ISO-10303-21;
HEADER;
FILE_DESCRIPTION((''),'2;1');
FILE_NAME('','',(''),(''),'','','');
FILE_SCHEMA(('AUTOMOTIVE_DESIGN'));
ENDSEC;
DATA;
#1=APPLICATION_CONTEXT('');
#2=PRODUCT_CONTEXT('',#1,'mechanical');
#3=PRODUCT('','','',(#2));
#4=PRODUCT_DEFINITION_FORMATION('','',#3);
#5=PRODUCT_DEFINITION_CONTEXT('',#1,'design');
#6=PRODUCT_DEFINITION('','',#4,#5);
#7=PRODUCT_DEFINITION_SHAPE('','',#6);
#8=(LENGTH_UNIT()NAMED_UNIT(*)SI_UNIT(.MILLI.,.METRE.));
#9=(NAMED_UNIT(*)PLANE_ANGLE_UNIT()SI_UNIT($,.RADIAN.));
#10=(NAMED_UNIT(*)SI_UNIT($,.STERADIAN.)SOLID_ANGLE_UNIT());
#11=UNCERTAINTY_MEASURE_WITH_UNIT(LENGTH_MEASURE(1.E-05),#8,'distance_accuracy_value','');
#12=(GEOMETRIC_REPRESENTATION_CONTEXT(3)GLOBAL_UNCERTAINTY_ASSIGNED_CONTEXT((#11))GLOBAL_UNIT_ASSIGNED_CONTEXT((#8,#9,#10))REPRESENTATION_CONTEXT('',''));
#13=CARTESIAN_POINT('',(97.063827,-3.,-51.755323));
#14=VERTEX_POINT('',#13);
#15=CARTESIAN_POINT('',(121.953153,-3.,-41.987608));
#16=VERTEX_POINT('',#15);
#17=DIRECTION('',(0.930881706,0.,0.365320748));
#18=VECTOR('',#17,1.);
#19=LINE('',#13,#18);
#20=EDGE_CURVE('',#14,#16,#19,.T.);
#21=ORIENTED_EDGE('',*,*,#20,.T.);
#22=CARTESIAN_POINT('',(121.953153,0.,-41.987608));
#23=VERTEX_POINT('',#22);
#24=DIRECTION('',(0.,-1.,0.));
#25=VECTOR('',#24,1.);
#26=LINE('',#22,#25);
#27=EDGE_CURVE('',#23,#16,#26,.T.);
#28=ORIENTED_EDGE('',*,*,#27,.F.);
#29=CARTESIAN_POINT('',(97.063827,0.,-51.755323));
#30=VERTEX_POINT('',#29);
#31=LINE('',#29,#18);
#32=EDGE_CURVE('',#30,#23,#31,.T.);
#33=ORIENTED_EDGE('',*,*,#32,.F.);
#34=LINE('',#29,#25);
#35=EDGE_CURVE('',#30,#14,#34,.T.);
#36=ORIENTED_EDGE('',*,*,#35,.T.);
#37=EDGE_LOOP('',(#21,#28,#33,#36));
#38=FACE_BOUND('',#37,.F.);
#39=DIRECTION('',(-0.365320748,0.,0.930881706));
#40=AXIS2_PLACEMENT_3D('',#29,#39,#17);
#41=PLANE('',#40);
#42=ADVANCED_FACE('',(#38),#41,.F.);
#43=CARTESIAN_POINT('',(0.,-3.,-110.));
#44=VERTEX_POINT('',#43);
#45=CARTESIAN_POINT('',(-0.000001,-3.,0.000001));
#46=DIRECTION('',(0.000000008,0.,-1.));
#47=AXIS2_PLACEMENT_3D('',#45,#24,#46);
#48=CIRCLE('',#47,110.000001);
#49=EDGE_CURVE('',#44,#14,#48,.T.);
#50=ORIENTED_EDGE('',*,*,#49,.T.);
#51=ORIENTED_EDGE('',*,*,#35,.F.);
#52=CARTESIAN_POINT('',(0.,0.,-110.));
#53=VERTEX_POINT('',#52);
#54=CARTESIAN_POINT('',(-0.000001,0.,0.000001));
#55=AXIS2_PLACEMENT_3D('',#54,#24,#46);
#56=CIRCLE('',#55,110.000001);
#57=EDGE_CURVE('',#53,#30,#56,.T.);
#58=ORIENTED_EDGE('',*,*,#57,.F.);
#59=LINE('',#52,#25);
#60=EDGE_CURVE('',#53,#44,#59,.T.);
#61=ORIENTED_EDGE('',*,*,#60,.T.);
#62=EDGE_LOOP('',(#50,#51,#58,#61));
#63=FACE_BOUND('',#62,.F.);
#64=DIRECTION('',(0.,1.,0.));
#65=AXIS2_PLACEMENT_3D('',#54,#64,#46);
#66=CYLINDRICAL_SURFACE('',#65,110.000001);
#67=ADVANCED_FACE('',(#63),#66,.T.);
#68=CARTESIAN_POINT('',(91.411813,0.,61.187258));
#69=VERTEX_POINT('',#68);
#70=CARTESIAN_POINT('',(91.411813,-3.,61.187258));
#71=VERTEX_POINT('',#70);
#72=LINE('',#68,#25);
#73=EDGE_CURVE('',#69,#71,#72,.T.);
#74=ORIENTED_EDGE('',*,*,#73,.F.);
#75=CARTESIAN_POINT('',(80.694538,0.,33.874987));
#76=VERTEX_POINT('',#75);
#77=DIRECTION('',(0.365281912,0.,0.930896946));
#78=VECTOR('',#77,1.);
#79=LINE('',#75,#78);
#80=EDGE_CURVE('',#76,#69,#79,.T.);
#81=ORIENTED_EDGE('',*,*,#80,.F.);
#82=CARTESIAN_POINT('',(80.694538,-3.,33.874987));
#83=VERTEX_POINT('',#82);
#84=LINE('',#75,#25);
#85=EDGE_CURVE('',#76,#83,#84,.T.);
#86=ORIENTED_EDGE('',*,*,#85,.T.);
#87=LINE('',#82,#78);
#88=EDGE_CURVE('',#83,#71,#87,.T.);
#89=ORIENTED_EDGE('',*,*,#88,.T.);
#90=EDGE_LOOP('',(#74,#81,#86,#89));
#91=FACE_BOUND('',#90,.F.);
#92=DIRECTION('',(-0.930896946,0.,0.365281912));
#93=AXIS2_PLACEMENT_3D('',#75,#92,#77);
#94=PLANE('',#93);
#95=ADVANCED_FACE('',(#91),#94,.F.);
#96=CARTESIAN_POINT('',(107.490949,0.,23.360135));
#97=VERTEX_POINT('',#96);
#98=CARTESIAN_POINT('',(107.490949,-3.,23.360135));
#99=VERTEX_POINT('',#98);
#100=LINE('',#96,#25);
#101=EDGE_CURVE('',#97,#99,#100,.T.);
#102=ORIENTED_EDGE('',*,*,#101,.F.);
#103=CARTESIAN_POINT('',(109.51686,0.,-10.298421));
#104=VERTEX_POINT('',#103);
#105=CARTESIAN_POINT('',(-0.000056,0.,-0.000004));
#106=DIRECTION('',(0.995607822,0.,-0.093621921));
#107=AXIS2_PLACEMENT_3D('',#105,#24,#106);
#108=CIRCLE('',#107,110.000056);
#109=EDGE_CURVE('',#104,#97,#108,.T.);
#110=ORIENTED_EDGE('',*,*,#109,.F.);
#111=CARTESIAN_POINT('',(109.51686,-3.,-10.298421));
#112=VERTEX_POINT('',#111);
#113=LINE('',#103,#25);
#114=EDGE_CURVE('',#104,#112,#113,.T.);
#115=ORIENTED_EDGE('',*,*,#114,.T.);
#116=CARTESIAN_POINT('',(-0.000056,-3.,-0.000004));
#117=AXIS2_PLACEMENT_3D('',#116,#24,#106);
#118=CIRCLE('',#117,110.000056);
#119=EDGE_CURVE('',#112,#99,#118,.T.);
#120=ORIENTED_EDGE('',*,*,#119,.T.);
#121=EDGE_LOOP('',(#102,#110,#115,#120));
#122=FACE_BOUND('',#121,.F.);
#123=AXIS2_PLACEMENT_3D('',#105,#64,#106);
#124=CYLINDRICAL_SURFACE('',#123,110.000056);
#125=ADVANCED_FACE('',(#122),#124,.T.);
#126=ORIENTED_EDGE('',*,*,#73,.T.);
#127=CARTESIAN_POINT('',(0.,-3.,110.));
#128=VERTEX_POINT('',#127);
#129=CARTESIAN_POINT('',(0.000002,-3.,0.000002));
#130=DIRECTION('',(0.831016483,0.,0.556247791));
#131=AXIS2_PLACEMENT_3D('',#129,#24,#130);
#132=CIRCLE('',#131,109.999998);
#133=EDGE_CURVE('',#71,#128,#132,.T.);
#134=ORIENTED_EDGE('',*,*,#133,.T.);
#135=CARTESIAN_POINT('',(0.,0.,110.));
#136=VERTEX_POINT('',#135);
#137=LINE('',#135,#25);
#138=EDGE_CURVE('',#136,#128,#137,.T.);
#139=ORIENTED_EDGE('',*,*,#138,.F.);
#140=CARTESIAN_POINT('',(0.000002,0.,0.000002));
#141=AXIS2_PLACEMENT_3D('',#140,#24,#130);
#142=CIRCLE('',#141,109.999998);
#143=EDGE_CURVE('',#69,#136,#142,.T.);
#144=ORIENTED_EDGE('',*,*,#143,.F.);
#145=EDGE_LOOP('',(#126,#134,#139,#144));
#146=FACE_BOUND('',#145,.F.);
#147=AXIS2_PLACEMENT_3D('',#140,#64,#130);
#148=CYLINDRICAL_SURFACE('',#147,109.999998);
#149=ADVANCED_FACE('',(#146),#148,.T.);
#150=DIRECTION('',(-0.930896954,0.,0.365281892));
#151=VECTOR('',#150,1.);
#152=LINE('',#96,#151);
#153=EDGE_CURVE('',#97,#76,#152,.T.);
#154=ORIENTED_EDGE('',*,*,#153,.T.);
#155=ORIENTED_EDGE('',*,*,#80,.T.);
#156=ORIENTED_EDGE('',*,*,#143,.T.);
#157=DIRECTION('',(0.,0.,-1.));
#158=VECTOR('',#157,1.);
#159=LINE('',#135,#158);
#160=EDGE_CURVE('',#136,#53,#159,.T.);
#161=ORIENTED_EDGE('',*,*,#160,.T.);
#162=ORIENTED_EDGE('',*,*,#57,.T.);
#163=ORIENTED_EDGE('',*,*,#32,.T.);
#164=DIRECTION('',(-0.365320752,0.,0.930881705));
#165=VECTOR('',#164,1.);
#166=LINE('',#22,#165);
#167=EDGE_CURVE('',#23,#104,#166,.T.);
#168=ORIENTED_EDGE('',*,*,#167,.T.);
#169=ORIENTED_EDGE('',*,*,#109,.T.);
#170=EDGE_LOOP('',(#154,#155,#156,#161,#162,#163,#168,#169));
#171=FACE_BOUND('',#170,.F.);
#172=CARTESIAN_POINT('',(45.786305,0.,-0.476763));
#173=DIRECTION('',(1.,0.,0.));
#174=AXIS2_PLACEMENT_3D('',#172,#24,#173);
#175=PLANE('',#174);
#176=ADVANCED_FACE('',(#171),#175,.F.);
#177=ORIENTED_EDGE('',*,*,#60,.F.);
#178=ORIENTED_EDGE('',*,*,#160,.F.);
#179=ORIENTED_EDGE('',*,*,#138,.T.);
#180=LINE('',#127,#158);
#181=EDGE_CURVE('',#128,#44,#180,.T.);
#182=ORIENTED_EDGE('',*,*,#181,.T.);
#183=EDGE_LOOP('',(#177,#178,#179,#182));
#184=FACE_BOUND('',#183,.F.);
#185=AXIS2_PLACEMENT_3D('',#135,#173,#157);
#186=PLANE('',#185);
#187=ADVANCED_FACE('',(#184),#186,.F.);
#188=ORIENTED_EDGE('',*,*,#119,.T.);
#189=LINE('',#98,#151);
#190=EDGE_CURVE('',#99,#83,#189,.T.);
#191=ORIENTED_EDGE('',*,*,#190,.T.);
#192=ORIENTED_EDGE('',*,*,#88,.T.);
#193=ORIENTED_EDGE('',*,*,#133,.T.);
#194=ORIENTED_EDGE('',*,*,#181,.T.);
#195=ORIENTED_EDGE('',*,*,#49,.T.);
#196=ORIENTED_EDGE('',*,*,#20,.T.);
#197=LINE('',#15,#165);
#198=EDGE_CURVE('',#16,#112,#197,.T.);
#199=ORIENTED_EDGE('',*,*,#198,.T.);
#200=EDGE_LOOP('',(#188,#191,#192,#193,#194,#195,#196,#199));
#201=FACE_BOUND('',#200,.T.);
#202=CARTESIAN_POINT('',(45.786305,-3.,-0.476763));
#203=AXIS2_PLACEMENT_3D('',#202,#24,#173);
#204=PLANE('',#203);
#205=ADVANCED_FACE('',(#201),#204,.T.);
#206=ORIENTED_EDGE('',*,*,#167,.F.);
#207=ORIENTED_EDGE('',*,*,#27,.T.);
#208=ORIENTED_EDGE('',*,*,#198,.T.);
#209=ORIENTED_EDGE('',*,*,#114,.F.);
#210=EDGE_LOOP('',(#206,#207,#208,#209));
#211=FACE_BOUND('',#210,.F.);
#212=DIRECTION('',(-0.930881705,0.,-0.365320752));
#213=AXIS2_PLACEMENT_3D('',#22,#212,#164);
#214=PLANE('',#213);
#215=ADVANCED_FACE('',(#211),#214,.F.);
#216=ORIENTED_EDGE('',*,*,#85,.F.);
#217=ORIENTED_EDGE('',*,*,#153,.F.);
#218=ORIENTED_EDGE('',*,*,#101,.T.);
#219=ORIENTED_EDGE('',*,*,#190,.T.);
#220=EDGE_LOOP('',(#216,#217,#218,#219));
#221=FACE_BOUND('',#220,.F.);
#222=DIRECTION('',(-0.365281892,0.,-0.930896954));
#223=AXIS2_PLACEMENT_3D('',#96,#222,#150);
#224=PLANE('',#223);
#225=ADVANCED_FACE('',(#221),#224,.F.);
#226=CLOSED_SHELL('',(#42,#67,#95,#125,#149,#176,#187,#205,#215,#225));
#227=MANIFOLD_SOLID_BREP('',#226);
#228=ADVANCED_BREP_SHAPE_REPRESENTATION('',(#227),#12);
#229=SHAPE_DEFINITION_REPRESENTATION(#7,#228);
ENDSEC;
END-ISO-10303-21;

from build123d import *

# Parameters (mm, degrees)
F1_DEPTH = 3


with BuildPart() as f1:
    # F0 (on Front) → F1 (new body)
    with BuildSketch(Plane.XZ):
        with BuildLine():
            Line((0, 110), (0, -110))
            ThreePointArc((0, -110), (56.599092, -94.321486), (97.063827, -51.755323))
            Line((97.063827, -51.755323), (121.953153, -41.987608))
            Line((121.953153, -41.987608), (109.51686, -10.298421))
            ThreePointArc((109.51686, -10.298421), (109.801283, 6.608946), (107.490949, 23.360135))
            Line((107.490949, 23.360135), (80.694538, 33.874987))
            Line((80.694538, 33.874987), (91.411813, 61.187258))
            ThreePointArc((91.411813, 61.187258), (51.814099, 97.032465), (0, 110))
        make_face()
    extrude(amount=F1_DEPTH)


solid = f1.part
